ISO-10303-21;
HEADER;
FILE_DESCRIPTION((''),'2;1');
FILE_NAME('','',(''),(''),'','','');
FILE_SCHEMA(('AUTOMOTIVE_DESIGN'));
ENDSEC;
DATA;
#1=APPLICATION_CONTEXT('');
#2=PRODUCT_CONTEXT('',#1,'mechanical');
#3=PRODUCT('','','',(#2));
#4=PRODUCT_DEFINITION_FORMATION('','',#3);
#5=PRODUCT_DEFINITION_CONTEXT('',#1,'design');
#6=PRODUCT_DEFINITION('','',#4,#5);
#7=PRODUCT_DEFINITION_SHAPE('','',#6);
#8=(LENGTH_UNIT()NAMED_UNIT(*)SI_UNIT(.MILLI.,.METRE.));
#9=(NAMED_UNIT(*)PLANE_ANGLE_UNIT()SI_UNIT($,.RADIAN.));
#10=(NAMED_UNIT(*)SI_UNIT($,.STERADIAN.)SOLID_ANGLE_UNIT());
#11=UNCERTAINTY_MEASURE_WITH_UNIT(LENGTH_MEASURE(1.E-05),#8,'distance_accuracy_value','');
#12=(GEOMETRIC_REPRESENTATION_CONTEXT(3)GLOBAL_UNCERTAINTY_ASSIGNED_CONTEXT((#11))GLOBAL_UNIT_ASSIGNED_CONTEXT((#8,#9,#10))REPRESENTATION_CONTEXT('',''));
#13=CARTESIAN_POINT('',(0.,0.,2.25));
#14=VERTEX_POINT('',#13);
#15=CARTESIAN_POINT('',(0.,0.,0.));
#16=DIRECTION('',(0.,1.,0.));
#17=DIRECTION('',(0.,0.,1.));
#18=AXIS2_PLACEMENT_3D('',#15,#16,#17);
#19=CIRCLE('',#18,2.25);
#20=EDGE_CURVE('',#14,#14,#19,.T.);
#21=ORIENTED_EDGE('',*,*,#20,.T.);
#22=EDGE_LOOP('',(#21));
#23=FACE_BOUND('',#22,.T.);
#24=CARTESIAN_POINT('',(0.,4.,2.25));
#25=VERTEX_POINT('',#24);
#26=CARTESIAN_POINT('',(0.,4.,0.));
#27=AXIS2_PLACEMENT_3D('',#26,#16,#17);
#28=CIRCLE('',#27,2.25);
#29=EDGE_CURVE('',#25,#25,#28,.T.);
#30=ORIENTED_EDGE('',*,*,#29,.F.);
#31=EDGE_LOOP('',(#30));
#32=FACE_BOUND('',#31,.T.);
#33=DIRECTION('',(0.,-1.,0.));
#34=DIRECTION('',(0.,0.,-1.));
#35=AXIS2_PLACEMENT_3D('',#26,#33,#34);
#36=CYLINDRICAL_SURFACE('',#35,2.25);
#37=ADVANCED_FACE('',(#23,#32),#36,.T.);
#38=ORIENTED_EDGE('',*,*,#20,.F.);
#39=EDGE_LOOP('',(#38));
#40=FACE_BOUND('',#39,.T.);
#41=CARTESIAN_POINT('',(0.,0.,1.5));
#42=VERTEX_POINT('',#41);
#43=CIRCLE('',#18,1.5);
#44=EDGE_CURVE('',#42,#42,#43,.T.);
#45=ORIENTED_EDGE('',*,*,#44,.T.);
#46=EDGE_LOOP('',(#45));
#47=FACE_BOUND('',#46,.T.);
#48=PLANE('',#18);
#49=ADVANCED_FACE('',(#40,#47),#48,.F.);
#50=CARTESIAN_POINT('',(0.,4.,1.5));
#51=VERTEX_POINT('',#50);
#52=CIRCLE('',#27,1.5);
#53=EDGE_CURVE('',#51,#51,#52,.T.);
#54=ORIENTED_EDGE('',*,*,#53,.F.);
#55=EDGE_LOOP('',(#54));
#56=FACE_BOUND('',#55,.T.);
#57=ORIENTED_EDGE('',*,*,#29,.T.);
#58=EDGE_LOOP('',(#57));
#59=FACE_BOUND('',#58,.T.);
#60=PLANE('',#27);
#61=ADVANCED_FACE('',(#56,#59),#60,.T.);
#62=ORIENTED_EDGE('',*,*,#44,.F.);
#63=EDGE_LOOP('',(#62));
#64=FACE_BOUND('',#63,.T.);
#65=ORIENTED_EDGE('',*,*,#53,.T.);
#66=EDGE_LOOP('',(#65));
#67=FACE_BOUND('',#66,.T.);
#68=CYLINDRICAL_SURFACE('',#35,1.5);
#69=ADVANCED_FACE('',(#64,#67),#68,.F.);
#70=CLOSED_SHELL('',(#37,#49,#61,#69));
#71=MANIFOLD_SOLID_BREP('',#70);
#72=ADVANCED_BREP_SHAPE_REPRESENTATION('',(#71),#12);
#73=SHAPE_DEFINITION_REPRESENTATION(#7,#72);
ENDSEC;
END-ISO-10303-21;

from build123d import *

# Parameters (mm, degrees)
SKETCH_1_R      = 2.25
SKETCH_1_R_2    = 1.5
EXTRUDE_1_DEPTH = 4


with BuildPart() as part:
    # 草图1 → 凸台-拉伸1 (new body)
    with BuildSketch(Plane(origin=(0, 0, 0), x_dir=(1, 0, 0), z_dir=(0, 1, 0))):
        Circle(SKETCH_1_R)
        Circle(SKETCH_1_R_2, mode=Mode.SUBTRACT)
    extrude(amount=EXTRUDE_1_DEPTH)


solid = part.part
